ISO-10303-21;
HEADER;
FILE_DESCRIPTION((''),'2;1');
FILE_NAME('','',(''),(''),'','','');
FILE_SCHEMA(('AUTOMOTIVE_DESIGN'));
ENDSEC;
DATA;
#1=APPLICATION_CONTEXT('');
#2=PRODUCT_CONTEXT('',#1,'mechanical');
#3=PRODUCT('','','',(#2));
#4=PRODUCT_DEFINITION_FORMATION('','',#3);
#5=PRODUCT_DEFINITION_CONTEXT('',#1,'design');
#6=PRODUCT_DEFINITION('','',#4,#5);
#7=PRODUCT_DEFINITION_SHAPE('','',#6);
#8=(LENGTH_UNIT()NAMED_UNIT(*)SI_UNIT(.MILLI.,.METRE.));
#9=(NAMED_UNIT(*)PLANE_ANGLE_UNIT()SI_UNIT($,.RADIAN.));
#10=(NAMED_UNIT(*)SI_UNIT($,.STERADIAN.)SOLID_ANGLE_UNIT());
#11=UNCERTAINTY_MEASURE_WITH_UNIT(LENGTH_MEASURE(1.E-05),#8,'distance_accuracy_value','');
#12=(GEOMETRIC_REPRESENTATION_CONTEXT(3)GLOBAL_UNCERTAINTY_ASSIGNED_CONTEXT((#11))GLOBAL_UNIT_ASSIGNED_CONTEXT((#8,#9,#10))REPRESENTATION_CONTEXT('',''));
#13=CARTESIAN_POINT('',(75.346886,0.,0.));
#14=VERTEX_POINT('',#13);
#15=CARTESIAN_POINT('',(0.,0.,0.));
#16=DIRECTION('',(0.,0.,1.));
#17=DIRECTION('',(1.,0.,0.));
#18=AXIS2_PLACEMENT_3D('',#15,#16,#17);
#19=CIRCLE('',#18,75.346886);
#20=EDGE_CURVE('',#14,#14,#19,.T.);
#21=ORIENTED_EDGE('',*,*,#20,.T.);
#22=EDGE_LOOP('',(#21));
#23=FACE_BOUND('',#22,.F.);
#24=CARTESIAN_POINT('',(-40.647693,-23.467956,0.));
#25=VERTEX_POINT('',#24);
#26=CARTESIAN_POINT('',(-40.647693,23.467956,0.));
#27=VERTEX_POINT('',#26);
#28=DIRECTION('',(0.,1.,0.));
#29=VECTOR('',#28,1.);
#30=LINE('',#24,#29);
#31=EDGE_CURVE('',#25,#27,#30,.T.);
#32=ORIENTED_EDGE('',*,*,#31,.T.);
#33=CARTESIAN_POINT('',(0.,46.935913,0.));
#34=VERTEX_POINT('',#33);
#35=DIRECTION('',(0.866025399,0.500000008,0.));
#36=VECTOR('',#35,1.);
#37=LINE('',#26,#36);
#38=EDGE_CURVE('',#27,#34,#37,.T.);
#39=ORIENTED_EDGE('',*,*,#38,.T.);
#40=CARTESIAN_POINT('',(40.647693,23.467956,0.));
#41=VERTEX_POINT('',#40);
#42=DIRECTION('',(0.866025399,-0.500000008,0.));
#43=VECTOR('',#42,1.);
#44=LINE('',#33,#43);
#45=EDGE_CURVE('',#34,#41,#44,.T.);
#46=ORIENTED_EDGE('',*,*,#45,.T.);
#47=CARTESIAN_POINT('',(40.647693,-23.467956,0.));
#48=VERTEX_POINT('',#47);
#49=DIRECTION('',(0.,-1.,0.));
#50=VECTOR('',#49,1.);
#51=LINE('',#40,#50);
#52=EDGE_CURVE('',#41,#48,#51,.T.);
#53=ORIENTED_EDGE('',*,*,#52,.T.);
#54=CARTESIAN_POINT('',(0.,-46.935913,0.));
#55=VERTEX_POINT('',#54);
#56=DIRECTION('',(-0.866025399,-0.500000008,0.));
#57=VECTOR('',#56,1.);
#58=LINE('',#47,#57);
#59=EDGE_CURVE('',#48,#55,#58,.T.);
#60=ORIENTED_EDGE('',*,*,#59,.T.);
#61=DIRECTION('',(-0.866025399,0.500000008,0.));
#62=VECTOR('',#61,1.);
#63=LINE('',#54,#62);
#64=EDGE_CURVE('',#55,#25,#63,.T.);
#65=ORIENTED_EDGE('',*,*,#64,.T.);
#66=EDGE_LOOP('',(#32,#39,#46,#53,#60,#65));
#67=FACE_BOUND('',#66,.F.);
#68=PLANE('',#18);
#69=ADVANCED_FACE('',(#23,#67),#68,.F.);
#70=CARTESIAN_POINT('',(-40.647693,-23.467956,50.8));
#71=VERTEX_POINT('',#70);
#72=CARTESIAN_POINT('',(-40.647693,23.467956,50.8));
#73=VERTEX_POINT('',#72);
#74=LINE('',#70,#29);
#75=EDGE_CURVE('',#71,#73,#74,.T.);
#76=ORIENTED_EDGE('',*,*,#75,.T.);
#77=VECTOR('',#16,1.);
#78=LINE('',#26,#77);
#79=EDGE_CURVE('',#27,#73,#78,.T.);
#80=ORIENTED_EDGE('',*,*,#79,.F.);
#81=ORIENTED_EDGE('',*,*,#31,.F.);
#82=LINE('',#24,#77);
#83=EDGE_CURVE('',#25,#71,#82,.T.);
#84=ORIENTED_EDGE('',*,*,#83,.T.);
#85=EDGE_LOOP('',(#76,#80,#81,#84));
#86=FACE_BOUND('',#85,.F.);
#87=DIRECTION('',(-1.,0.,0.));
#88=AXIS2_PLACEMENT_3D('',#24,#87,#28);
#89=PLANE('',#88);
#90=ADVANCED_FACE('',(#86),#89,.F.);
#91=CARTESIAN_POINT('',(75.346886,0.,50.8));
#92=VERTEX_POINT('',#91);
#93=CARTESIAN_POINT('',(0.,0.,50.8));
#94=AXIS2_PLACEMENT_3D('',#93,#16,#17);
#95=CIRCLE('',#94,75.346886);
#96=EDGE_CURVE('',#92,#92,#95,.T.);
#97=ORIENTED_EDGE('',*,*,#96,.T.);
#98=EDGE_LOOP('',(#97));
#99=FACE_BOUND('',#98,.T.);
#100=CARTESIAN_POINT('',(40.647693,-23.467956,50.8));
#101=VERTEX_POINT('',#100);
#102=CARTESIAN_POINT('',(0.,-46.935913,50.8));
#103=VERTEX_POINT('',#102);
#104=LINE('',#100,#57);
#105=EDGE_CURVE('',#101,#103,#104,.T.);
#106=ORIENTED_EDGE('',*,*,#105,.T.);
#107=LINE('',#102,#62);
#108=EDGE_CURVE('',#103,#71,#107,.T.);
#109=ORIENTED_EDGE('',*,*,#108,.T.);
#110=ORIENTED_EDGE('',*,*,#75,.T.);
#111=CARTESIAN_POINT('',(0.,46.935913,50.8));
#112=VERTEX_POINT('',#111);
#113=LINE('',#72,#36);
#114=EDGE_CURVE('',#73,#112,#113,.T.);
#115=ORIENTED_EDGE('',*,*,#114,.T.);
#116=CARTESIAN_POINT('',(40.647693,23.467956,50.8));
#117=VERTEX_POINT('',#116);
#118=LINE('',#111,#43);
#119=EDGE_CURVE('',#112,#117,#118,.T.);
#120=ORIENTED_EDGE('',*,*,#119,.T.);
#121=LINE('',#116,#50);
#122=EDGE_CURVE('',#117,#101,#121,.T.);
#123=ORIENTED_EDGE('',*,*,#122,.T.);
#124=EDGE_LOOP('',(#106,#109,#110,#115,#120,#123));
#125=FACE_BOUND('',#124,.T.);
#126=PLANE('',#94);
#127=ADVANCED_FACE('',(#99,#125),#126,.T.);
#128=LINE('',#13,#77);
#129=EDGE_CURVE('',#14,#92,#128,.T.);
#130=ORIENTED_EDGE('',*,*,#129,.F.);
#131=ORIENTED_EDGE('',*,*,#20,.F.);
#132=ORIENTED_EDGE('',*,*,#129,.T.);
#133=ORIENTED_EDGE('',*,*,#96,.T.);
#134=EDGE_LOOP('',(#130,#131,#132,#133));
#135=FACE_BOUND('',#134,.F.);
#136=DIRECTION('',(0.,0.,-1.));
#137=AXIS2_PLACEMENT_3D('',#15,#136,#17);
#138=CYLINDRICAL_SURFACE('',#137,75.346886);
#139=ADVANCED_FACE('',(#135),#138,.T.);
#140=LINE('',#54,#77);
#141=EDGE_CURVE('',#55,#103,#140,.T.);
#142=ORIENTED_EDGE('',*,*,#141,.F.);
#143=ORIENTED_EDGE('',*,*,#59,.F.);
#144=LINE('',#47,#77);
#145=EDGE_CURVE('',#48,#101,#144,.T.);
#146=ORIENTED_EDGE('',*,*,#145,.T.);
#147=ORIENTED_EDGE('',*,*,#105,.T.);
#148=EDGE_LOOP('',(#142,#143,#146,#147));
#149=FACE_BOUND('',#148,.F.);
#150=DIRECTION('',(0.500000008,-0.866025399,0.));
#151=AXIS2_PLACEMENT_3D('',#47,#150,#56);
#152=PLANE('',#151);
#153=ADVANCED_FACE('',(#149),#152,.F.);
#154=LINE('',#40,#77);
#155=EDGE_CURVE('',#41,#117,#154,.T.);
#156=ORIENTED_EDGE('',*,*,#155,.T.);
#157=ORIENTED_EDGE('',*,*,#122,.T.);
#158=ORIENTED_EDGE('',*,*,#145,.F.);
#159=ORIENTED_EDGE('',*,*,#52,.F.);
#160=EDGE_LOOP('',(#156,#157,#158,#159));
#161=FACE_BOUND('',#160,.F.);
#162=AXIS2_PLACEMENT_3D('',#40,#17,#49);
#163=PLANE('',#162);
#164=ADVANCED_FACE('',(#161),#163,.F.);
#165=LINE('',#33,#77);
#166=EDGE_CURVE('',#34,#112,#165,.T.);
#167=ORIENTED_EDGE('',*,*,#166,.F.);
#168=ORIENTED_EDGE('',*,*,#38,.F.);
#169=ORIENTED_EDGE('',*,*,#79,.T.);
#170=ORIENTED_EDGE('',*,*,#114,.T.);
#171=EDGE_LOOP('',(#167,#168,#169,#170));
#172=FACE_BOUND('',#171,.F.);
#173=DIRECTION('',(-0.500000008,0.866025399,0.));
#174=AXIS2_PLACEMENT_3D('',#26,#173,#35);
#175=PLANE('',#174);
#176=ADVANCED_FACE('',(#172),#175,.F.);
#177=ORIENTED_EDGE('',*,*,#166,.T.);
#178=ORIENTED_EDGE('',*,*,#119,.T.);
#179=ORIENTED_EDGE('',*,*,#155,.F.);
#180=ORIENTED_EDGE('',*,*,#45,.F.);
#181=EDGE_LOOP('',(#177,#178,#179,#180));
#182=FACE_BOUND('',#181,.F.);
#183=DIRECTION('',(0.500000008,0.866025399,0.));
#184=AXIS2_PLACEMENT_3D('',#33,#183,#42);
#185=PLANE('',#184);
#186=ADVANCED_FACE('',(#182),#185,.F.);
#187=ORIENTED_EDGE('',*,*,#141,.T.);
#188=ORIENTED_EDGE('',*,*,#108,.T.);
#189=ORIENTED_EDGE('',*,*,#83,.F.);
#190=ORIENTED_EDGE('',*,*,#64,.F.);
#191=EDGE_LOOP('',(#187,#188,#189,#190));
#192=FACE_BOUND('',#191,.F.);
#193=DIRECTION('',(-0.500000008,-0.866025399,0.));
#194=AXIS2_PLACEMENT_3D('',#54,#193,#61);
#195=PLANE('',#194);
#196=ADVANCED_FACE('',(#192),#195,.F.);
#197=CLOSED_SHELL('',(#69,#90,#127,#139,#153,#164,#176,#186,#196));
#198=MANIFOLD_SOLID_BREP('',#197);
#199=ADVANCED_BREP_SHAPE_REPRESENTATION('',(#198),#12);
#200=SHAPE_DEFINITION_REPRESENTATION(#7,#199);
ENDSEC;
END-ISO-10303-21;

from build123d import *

# Parameters (mm, degrees)
F0_R     = 75.346886
F1_DEPTH = 50.8
F3_DEPTH = 50.8


with BuildPart() as f1:
    # F0 (on Top) → F1 (new body)
    with BuildSketch(Plane.XY):
        Circle(F0_R)
    extrude(amount=F1_DEPTH)

    # F2 (on face) → F3 (cut)
    with BuildSketch(Plane(origin=(0, 0, 0), x_dir=(1, 0, 0), z_dir=(0, 0, -1))):
        Polygon((-40.647693, 23.467956), (-40.647693, -23.467956), (0, -46.935913), (40.647693, -23.467956), (40.647693, 23.467956), (0, 46.935913), align=None)
    extrude(amount=-F3_DEPTH, mode=Mode.SUBTRACT)


solid = f1.part
